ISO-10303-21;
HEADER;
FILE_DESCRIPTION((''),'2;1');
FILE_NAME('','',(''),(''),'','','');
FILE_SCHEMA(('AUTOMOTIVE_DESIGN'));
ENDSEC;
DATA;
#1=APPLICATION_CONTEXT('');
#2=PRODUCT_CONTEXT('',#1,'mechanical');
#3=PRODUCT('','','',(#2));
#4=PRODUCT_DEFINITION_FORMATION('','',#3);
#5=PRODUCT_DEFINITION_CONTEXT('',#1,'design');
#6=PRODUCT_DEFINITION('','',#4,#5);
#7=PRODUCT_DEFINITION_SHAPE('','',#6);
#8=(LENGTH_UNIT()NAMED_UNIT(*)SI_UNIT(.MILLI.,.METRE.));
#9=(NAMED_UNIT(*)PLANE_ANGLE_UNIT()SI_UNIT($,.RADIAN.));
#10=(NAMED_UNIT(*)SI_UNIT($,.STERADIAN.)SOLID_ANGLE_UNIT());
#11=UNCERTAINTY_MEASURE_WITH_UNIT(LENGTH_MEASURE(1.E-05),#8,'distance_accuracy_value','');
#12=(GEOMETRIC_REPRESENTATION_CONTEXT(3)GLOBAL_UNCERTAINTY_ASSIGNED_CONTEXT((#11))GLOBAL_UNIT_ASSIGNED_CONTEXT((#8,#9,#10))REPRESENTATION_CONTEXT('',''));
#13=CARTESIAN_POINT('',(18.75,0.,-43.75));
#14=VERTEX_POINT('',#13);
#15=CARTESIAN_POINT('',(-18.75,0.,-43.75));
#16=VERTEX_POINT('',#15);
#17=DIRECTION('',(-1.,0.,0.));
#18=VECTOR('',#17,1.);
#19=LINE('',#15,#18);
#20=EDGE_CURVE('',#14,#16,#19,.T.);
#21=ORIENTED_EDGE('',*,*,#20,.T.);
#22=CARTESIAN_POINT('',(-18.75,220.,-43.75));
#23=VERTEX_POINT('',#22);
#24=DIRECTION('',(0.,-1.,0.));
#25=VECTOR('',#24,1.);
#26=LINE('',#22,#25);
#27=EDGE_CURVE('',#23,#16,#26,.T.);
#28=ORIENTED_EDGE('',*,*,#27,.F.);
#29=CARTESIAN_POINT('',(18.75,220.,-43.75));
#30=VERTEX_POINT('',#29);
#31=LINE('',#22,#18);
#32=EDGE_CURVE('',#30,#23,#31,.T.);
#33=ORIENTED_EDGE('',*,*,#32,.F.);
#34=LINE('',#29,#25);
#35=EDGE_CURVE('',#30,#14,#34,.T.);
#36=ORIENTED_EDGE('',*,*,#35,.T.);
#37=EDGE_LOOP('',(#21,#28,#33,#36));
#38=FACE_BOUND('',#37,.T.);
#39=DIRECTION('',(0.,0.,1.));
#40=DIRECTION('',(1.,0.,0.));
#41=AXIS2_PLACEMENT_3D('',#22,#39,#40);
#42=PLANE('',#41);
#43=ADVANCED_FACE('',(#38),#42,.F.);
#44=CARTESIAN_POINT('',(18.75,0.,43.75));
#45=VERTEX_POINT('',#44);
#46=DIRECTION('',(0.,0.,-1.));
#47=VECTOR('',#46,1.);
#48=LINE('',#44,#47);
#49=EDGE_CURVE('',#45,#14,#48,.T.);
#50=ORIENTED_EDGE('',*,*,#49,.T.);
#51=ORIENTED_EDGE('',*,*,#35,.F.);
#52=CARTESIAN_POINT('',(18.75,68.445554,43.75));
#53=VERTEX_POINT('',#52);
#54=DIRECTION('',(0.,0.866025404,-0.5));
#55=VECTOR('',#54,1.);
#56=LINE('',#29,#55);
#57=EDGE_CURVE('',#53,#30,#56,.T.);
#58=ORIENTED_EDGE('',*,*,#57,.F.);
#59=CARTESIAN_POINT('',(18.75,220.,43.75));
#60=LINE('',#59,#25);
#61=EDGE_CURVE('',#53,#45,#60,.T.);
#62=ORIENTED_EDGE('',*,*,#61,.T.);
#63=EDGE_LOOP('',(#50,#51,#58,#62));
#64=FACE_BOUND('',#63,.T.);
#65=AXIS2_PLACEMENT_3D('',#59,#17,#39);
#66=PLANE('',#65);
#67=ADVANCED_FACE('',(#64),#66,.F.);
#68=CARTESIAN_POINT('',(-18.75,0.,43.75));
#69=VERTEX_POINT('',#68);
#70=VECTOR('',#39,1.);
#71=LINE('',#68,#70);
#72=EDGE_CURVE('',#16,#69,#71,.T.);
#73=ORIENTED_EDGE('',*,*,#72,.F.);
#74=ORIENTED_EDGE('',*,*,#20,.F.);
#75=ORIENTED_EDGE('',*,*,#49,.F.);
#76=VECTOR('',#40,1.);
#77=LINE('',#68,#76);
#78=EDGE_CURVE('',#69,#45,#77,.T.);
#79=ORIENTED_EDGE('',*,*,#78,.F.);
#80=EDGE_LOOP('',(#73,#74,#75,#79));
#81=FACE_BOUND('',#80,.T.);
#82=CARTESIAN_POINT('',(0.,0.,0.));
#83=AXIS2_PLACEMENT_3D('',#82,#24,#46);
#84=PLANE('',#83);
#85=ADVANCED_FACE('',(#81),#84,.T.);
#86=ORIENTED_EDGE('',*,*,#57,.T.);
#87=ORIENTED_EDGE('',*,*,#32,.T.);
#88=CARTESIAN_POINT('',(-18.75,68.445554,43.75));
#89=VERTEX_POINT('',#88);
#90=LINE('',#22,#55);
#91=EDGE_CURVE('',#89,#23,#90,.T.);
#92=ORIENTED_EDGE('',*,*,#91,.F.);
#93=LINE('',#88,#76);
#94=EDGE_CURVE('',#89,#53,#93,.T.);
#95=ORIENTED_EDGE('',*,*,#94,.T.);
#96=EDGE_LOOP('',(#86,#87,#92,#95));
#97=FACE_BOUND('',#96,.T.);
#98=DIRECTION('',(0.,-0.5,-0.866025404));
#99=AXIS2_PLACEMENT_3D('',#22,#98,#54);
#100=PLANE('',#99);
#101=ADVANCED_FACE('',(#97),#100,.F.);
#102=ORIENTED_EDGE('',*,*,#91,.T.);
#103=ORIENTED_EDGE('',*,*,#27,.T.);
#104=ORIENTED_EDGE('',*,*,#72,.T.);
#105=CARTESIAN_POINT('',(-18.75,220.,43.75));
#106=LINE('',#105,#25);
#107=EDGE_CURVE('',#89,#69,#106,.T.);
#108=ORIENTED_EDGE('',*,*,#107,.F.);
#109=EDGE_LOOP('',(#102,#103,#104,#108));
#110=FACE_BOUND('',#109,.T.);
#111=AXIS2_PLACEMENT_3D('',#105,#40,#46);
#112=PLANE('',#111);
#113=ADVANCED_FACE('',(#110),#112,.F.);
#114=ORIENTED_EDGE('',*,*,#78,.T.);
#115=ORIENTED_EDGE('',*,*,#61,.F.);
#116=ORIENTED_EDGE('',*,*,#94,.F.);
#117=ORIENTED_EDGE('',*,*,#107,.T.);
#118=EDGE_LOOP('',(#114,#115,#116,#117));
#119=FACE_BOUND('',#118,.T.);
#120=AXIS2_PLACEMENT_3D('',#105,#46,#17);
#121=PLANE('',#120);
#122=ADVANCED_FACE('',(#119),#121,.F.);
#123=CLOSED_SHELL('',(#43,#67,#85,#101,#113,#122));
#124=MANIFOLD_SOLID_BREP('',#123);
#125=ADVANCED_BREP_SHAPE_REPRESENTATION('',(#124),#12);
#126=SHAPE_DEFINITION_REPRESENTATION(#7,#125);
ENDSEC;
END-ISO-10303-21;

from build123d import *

# Parameters (mm, degrees)
SKETCH1_W               = 37.5
SKETCH1_H               = 87.5
BOSS_EXTRUDE1_DEPTH     = 220
CUT_EXTRUDE1_DEPTH      = 226.090259674
CUT_EXTRUDE1_DEPTH_BACK = 226.090259674


with BuildPart() as part:
    # Sketch1 → Boss-Extrude1 (new body)
    with BuildSketch(Plane(origin=(0, 0, 0), x_dir=(1, 0, 0), z_dir=(0, 1, 0))):
        Rectangle(SKETCH1_W, SKETCH1_H)
    extrude(amount=BOSS_EXTRUDE1_DEPTH)

    # Sketch2 → Cut-Extrude1 (cut, two sides: drawn at the far end of the back side and taken through both)
    with BuildSketch(Plane(origin=(0, 0, 0), x_dir=(0, 0, -1), z_dir=(1, 0, 0)).offset(-CUT_EXTRUDE1_DEPTH_BACK)):
        Polygon((43.75, 220), (-43.75, 68.445554338), (-43.75, 220), align=None)
    extrude(amount=CUT_EXTRUDE1_DEPTH + CUT_EXTRUDE1_DEPTH_BACK, mode=Mode.SUBTRACT)


solid = part.part
